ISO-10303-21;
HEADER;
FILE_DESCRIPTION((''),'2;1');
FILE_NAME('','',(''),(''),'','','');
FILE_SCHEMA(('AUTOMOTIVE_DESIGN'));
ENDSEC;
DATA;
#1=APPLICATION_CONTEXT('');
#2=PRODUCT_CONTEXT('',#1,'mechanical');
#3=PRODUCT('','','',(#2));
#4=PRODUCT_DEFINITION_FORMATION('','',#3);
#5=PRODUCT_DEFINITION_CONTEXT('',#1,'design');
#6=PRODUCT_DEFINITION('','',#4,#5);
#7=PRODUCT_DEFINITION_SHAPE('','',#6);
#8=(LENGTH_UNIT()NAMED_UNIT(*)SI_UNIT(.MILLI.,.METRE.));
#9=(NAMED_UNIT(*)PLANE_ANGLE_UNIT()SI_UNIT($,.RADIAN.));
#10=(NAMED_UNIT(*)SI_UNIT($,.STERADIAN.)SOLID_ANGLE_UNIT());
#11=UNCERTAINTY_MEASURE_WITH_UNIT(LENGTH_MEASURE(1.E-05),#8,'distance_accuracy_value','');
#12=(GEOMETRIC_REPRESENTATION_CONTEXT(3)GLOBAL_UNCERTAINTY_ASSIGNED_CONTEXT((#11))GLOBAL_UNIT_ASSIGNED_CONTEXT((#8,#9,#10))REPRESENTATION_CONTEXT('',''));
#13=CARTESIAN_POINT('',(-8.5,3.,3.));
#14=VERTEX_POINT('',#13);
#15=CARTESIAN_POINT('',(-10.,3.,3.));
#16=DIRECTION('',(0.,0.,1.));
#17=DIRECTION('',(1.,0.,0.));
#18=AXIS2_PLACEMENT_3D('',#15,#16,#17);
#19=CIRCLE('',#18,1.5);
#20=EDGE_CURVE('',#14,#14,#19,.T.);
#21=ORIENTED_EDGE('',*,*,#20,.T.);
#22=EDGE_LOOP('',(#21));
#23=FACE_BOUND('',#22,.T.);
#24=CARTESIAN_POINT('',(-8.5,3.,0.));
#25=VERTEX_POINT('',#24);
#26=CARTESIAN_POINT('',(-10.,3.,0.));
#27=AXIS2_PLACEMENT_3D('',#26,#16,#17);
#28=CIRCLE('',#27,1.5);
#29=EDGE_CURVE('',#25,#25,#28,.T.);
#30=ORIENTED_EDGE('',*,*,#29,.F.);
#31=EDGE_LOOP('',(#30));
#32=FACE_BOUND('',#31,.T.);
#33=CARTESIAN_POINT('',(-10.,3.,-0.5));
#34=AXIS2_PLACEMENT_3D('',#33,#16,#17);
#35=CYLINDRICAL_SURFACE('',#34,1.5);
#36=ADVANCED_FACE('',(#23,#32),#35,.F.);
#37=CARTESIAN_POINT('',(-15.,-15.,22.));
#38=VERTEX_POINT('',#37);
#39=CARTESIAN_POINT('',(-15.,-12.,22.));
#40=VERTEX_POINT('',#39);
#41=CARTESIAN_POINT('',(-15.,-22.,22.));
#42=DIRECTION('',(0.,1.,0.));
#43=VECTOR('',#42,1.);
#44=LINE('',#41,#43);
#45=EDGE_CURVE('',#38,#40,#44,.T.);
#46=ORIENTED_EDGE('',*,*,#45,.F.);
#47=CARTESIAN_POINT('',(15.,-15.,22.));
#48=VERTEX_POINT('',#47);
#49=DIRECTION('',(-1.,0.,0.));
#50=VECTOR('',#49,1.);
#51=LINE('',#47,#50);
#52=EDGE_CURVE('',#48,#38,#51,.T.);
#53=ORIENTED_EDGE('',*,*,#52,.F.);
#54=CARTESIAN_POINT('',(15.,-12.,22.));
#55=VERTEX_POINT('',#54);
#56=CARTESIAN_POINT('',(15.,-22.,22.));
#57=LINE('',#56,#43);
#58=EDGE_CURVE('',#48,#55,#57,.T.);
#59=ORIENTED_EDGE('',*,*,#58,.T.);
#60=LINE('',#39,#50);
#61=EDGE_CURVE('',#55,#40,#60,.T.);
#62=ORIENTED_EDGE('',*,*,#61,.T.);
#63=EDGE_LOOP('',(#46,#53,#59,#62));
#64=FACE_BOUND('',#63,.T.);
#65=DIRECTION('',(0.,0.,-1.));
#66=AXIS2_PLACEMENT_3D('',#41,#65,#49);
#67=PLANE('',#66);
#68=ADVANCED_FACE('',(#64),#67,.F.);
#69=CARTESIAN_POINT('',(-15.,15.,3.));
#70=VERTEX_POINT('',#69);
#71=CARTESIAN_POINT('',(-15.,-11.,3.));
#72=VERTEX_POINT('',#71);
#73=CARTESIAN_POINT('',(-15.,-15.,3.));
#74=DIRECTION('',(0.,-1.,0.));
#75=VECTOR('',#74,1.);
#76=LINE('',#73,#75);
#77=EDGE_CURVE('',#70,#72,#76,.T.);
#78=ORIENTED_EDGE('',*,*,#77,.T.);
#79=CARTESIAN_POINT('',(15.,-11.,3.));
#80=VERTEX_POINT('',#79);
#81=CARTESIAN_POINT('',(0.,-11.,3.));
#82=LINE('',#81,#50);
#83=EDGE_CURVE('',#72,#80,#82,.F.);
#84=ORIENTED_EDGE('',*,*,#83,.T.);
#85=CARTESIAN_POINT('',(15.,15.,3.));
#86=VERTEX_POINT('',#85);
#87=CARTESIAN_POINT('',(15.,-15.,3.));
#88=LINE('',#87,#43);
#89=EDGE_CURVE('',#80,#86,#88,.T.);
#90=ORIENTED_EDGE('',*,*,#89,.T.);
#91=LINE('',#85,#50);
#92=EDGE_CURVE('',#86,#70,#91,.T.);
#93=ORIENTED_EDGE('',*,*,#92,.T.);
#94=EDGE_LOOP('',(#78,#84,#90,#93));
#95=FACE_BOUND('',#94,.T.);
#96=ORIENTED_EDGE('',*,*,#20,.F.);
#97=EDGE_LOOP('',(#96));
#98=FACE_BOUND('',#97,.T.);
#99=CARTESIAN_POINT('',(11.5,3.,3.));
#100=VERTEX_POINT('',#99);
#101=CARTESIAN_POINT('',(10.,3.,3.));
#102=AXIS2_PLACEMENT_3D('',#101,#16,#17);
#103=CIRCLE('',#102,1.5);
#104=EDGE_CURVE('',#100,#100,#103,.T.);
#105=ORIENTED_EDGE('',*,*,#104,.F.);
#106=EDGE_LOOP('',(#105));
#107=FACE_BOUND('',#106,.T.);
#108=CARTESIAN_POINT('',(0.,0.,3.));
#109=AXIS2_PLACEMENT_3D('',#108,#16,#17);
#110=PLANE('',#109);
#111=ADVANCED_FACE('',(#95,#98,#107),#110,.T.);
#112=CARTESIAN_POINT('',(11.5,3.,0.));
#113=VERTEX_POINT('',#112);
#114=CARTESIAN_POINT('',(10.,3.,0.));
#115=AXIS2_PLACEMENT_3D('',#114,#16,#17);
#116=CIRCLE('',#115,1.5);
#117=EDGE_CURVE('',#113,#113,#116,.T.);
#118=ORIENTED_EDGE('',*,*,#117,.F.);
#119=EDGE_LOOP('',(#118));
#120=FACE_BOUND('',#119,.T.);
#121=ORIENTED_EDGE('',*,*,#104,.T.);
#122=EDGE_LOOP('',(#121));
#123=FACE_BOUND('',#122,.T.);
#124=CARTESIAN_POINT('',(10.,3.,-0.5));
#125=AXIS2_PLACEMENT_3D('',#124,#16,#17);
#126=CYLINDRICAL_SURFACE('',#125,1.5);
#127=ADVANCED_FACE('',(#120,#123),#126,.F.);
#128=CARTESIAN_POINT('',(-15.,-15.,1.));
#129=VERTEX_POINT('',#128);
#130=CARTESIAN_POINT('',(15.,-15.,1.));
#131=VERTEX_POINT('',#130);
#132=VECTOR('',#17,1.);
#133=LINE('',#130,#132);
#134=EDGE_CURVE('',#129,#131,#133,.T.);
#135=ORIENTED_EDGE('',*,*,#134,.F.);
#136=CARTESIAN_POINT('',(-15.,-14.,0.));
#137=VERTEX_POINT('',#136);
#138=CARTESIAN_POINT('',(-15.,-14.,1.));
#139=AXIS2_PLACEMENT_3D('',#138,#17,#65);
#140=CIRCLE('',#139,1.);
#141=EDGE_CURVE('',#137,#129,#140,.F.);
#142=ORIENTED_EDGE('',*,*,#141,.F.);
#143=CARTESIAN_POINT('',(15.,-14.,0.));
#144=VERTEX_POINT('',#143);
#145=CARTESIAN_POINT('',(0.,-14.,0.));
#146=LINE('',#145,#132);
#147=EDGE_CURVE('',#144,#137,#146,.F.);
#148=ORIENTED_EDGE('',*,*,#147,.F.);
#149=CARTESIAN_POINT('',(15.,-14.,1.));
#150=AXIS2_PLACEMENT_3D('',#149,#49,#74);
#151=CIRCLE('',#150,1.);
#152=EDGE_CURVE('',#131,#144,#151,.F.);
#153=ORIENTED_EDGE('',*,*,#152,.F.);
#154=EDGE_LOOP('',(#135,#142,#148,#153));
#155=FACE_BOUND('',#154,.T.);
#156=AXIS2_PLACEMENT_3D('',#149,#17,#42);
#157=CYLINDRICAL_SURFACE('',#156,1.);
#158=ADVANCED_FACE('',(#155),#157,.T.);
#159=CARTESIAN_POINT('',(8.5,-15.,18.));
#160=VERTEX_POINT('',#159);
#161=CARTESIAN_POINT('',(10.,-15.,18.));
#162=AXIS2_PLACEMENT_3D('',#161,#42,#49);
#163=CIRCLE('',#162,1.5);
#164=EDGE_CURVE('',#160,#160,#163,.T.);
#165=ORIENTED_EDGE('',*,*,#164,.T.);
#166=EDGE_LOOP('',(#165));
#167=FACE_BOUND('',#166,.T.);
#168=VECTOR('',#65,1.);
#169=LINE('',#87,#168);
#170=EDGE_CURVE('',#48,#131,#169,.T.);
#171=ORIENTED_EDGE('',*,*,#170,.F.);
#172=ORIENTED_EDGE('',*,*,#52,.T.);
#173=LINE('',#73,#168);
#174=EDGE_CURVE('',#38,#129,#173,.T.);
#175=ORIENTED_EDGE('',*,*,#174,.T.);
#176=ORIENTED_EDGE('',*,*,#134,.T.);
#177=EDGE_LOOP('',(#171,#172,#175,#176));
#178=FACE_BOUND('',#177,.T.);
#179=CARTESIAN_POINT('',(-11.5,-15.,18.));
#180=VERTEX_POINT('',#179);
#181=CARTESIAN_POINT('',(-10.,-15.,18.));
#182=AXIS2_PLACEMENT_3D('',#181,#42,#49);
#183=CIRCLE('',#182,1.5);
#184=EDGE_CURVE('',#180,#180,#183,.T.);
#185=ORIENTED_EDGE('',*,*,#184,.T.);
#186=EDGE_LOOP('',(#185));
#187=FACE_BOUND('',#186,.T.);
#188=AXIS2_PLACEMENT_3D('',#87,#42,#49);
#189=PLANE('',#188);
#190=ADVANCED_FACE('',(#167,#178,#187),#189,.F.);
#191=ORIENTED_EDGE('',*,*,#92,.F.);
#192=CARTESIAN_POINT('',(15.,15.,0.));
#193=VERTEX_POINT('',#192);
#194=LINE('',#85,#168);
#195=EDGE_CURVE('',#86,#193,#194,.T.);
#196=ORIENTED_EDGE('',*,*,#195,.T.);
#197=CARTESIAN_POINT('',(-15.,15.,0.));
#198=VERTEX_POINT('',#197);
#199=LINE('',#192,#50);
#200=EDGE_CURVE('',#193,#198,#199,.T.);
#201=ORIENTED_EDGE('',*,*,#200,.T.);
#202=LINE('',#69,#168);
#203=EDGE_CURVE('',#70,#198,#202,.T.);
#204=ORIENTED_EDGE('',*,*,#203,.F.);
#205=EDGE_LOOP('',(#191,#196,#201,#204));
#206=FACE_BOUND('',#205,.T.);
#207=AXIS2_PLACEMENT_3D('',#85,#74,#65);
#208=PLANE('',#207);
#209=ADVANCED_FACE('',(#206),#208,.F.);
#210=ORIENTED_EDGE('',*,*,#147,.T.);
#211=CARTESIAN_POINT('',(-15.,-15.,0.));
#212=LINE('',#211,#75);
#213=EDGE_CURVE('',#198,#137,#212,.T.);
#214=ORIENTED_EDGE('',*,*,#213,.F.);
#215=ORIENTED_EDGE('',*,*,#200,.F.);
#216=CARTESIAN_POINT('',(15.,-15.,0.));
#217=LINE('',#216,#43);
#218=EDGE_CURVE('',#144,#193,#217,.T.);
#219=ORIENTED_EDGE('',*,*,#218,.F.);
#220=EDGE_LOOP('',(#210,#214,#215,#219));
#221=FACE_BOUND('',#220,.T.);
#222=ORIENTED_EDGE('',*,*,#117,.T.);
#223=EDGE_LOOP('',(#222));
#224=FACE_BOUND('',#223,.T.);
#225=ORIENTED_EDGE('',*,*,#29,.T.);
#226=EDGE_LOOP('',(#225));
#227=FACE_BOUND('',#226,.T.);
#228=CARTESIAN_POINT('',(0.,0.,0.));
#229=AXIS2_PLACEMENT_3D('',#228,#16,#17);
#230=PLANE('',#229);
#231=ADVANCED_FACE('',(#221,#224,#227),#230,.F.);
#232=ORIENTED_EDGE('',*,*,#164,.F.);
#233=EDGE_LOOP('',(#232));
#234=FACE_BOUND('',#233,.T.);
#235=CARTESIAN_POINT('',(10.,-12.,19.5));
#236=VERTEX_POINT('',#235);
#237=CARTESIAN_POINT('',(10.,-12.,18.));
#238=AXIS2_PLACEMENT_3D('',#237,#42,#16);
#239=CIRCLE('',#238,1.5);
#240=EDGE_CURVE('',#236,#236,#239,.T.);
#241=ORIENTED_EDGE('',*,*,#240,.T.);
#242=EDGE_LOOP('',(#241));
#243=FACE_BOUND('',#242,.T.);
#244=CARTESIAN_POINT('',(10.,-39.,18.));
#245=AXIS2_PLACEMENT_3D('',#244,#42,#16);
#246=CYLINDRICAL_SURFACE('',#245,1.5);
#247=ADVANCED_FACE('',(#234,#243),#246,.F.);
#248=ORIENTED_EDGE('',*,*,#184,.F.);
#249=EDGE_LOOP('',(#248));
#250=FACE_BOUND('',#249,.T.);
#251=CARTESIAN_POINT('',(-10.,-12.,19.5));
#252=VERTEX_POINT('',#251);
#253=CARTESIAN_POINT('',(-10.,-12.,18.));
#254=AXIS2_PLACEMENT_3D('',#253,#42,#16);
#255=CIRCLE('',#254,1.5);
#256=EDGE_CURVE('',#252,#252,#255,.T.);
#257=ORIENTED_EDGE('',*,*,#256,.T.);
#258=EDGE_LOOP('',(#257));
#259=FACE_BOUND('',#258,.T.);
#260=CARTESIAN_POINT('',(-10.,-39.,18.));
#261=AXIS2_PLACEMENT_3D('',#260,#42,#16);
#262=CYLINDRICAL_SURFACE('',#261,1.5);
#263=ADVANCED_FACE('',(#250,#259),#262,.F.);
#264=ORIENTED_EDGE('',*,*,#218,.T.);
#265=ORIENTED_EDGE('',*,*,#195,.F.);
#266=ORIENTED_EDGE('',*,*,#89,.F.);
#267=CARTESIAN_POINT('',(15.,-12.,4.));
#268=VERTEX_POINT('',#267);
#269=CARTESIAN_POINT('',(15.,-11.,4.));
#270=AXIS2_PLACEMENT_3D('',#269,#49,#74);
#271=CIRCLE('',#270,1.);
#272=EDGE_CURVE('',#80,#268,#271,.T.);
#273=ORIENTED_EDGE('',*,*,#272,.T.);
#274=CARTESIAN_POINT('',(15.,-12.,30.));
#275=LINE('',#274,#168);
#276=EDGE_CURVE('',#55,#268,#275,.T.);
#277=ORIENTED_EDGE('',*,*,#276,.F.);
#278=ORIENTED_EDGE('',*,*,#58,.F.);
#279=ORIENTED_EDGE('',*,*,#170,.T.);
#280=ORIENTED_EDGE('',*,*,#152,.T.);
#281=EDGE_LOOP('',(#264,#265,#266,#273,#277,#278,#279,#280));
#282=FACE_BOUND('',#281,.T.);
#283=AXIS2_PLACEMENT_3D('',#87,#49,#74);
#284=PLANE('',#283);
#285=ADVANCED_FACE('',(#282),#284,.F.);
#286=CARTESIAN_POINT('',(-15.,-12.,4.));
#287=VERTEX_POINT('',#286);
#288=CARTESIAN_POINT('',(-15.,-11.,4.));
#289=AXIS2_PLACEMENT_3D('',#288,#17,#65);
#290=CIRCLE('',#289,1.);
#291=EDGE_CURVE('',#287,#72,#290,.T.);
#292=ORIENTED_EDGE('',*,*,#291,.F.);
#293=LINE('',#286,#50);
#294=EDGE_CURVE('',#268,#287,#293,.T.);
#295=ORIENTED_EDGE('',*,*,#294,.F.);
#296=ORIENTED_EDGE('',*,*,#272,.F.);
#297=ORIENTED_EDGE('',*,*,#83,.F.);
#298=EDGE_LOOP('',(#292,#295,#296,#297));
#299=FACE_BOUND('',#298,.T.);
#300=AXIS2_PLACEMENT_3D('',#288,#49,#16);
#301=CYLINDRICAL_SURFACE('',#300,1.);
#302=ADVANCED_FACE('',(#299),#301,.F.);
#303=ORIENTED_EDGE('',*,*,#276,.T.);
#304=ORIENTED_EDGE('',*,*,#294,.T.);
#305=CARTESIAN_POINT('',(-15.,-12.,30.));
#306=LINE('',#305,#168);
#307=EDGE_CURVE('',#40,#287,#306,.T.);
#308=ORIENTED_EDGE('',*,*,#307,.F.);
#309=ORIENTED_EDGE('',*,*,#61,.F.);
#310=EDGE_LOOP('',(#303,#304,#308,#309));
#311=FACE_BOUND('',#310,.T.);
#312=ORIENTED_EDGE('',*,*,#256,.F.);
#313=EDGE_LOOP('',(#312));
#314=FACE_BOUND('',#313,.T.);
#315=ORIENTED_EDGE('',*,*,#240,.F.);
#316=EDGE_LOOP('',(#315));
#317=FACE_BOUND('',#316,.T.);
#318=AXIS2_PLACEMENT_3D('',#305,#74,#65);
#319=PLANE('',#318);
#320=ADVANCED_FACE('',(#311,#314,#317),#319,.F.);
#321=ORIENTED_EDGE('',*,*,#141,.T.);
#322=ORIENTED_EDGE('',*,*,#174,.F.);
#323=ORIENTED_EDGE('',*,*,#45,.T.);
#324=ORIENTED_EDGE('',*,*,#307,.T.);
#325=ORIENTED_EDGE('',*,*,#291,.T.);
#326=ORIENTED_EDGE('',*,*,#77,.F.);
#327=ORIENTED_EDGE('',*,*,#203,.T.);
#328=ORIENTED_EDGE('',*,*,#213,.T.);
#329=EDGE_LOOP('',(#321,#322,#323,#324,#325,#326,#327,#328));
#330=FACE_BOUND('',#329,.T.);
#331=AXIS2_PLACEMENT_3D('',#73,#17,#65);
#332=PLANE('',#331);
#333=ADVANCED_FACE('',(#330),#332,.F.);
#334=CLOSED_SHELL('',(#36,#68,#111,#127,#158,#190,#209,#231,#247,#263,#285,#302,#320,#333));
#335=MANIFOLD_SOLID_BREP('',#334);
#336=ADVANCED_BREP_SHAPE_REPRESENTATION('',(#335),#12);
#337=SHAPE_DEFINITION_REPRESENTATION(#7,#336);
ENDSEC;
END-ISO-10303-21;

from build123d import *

# Parameters (mm, degrees)
SKETCH_1_W          = 30
SKETCH_1_H          = 30
EXTRUDE_1_DEPTH     = 3
SKETCH_2_R          = 1.5
CUT_EXTRUDE_1_DEPTH = 3.5
SKETCH_3_W          = 30
SKETCH_3_H          = 3
EXTRUDE_2_DEPTH     = 27
SKETCH_4_R          = 1.5
CUT_EXTRUDE_2_DEPTH = 27
FILLET_1_R          = 1
FILLET_2_R          = 1
SKETCH_5_W          = 30
SKETCH_5_H          = 8
CUT_EXTRUDE_3_DEPTH = 10


with BuildPart() as part:
    # 草图1 → 凸台-拉伸1 (new body)
    with BuildSketch(Plane.XY):
        Rectangle(SKETCH_1_W, SKETCH_1_H)
    extrude(amount=EXTRUDE_1_DEPTH)

    # 草图2 → 切除-拉伸1 (cut)
    with BuildSketch(Plane.XY.offset(3)):
        with Locations((10, 3)):
            Circle(SKETCH_2_R)
        with Locations((-10, 3)):
            Circle(SKETCH_2_R)
    extrude(amount=-CUT_EXTRUDE_1_DEPTH, mode=Mode.SUBTRACT)

    # 草图3 → 凸台-拉伸2 (add)
    with BuildSketch(Plane.XY.offset(3)):
        with Locations((0, -13.5)):
            Rectangle(SKETCH_3_W, SKETCH_3_H)
    extrude(amount=EXTRUDE_2_DEPTH)

    # 草图4 → 切除-拉伸2 (cut)
    with BuildSketch(Plane(origin=(0, -12, 0), x_dir=(1, 0, 0), z_dir=(0, 1, 0))):
        with Locations(Location((10, -18, 0), (0, 0, 270))):
            Circle(SKETCH_4_R)
        with Locations(Location((-10, -18, 0), (0, 0, 270))):
            Circle(SKETCH_4_R)
    extrude(amount=-CUT_EXTRUDE_2_DEPTH, mode=Mode.SUBTRACT)

    # 圆角1
    fillet_1_edges = [part.edges().sort_by_distance(p)[0] for p in [
        (0, -12, 3),
    ]]
    fillet(fillet_1_edges, radius=FILLET_1_R)

    # 圆角2
    fillet_2_edges = [part.edges().sort_by_distance(p)[0] for p in [
        (0, -15, 0),
    ]]
    fillet(fillet_2_edges, radius=FILLET_2_R)

    # 草图5 → 切除-拉伸3 (cut)
    with BuildSketch(Plane(origin=(0, -12, 0), x_dir=(1, 0, 0), z_dir=(0, 1, 0))):
        with Locations((0, -26)):
            Rectangle(SKETCH_5_W, SKETCH_5_H)
    extrude(amount=-CUT_EXTRUDE_3_DEPTH, mode=Mode.SUBTRACT)


solid = part.part
